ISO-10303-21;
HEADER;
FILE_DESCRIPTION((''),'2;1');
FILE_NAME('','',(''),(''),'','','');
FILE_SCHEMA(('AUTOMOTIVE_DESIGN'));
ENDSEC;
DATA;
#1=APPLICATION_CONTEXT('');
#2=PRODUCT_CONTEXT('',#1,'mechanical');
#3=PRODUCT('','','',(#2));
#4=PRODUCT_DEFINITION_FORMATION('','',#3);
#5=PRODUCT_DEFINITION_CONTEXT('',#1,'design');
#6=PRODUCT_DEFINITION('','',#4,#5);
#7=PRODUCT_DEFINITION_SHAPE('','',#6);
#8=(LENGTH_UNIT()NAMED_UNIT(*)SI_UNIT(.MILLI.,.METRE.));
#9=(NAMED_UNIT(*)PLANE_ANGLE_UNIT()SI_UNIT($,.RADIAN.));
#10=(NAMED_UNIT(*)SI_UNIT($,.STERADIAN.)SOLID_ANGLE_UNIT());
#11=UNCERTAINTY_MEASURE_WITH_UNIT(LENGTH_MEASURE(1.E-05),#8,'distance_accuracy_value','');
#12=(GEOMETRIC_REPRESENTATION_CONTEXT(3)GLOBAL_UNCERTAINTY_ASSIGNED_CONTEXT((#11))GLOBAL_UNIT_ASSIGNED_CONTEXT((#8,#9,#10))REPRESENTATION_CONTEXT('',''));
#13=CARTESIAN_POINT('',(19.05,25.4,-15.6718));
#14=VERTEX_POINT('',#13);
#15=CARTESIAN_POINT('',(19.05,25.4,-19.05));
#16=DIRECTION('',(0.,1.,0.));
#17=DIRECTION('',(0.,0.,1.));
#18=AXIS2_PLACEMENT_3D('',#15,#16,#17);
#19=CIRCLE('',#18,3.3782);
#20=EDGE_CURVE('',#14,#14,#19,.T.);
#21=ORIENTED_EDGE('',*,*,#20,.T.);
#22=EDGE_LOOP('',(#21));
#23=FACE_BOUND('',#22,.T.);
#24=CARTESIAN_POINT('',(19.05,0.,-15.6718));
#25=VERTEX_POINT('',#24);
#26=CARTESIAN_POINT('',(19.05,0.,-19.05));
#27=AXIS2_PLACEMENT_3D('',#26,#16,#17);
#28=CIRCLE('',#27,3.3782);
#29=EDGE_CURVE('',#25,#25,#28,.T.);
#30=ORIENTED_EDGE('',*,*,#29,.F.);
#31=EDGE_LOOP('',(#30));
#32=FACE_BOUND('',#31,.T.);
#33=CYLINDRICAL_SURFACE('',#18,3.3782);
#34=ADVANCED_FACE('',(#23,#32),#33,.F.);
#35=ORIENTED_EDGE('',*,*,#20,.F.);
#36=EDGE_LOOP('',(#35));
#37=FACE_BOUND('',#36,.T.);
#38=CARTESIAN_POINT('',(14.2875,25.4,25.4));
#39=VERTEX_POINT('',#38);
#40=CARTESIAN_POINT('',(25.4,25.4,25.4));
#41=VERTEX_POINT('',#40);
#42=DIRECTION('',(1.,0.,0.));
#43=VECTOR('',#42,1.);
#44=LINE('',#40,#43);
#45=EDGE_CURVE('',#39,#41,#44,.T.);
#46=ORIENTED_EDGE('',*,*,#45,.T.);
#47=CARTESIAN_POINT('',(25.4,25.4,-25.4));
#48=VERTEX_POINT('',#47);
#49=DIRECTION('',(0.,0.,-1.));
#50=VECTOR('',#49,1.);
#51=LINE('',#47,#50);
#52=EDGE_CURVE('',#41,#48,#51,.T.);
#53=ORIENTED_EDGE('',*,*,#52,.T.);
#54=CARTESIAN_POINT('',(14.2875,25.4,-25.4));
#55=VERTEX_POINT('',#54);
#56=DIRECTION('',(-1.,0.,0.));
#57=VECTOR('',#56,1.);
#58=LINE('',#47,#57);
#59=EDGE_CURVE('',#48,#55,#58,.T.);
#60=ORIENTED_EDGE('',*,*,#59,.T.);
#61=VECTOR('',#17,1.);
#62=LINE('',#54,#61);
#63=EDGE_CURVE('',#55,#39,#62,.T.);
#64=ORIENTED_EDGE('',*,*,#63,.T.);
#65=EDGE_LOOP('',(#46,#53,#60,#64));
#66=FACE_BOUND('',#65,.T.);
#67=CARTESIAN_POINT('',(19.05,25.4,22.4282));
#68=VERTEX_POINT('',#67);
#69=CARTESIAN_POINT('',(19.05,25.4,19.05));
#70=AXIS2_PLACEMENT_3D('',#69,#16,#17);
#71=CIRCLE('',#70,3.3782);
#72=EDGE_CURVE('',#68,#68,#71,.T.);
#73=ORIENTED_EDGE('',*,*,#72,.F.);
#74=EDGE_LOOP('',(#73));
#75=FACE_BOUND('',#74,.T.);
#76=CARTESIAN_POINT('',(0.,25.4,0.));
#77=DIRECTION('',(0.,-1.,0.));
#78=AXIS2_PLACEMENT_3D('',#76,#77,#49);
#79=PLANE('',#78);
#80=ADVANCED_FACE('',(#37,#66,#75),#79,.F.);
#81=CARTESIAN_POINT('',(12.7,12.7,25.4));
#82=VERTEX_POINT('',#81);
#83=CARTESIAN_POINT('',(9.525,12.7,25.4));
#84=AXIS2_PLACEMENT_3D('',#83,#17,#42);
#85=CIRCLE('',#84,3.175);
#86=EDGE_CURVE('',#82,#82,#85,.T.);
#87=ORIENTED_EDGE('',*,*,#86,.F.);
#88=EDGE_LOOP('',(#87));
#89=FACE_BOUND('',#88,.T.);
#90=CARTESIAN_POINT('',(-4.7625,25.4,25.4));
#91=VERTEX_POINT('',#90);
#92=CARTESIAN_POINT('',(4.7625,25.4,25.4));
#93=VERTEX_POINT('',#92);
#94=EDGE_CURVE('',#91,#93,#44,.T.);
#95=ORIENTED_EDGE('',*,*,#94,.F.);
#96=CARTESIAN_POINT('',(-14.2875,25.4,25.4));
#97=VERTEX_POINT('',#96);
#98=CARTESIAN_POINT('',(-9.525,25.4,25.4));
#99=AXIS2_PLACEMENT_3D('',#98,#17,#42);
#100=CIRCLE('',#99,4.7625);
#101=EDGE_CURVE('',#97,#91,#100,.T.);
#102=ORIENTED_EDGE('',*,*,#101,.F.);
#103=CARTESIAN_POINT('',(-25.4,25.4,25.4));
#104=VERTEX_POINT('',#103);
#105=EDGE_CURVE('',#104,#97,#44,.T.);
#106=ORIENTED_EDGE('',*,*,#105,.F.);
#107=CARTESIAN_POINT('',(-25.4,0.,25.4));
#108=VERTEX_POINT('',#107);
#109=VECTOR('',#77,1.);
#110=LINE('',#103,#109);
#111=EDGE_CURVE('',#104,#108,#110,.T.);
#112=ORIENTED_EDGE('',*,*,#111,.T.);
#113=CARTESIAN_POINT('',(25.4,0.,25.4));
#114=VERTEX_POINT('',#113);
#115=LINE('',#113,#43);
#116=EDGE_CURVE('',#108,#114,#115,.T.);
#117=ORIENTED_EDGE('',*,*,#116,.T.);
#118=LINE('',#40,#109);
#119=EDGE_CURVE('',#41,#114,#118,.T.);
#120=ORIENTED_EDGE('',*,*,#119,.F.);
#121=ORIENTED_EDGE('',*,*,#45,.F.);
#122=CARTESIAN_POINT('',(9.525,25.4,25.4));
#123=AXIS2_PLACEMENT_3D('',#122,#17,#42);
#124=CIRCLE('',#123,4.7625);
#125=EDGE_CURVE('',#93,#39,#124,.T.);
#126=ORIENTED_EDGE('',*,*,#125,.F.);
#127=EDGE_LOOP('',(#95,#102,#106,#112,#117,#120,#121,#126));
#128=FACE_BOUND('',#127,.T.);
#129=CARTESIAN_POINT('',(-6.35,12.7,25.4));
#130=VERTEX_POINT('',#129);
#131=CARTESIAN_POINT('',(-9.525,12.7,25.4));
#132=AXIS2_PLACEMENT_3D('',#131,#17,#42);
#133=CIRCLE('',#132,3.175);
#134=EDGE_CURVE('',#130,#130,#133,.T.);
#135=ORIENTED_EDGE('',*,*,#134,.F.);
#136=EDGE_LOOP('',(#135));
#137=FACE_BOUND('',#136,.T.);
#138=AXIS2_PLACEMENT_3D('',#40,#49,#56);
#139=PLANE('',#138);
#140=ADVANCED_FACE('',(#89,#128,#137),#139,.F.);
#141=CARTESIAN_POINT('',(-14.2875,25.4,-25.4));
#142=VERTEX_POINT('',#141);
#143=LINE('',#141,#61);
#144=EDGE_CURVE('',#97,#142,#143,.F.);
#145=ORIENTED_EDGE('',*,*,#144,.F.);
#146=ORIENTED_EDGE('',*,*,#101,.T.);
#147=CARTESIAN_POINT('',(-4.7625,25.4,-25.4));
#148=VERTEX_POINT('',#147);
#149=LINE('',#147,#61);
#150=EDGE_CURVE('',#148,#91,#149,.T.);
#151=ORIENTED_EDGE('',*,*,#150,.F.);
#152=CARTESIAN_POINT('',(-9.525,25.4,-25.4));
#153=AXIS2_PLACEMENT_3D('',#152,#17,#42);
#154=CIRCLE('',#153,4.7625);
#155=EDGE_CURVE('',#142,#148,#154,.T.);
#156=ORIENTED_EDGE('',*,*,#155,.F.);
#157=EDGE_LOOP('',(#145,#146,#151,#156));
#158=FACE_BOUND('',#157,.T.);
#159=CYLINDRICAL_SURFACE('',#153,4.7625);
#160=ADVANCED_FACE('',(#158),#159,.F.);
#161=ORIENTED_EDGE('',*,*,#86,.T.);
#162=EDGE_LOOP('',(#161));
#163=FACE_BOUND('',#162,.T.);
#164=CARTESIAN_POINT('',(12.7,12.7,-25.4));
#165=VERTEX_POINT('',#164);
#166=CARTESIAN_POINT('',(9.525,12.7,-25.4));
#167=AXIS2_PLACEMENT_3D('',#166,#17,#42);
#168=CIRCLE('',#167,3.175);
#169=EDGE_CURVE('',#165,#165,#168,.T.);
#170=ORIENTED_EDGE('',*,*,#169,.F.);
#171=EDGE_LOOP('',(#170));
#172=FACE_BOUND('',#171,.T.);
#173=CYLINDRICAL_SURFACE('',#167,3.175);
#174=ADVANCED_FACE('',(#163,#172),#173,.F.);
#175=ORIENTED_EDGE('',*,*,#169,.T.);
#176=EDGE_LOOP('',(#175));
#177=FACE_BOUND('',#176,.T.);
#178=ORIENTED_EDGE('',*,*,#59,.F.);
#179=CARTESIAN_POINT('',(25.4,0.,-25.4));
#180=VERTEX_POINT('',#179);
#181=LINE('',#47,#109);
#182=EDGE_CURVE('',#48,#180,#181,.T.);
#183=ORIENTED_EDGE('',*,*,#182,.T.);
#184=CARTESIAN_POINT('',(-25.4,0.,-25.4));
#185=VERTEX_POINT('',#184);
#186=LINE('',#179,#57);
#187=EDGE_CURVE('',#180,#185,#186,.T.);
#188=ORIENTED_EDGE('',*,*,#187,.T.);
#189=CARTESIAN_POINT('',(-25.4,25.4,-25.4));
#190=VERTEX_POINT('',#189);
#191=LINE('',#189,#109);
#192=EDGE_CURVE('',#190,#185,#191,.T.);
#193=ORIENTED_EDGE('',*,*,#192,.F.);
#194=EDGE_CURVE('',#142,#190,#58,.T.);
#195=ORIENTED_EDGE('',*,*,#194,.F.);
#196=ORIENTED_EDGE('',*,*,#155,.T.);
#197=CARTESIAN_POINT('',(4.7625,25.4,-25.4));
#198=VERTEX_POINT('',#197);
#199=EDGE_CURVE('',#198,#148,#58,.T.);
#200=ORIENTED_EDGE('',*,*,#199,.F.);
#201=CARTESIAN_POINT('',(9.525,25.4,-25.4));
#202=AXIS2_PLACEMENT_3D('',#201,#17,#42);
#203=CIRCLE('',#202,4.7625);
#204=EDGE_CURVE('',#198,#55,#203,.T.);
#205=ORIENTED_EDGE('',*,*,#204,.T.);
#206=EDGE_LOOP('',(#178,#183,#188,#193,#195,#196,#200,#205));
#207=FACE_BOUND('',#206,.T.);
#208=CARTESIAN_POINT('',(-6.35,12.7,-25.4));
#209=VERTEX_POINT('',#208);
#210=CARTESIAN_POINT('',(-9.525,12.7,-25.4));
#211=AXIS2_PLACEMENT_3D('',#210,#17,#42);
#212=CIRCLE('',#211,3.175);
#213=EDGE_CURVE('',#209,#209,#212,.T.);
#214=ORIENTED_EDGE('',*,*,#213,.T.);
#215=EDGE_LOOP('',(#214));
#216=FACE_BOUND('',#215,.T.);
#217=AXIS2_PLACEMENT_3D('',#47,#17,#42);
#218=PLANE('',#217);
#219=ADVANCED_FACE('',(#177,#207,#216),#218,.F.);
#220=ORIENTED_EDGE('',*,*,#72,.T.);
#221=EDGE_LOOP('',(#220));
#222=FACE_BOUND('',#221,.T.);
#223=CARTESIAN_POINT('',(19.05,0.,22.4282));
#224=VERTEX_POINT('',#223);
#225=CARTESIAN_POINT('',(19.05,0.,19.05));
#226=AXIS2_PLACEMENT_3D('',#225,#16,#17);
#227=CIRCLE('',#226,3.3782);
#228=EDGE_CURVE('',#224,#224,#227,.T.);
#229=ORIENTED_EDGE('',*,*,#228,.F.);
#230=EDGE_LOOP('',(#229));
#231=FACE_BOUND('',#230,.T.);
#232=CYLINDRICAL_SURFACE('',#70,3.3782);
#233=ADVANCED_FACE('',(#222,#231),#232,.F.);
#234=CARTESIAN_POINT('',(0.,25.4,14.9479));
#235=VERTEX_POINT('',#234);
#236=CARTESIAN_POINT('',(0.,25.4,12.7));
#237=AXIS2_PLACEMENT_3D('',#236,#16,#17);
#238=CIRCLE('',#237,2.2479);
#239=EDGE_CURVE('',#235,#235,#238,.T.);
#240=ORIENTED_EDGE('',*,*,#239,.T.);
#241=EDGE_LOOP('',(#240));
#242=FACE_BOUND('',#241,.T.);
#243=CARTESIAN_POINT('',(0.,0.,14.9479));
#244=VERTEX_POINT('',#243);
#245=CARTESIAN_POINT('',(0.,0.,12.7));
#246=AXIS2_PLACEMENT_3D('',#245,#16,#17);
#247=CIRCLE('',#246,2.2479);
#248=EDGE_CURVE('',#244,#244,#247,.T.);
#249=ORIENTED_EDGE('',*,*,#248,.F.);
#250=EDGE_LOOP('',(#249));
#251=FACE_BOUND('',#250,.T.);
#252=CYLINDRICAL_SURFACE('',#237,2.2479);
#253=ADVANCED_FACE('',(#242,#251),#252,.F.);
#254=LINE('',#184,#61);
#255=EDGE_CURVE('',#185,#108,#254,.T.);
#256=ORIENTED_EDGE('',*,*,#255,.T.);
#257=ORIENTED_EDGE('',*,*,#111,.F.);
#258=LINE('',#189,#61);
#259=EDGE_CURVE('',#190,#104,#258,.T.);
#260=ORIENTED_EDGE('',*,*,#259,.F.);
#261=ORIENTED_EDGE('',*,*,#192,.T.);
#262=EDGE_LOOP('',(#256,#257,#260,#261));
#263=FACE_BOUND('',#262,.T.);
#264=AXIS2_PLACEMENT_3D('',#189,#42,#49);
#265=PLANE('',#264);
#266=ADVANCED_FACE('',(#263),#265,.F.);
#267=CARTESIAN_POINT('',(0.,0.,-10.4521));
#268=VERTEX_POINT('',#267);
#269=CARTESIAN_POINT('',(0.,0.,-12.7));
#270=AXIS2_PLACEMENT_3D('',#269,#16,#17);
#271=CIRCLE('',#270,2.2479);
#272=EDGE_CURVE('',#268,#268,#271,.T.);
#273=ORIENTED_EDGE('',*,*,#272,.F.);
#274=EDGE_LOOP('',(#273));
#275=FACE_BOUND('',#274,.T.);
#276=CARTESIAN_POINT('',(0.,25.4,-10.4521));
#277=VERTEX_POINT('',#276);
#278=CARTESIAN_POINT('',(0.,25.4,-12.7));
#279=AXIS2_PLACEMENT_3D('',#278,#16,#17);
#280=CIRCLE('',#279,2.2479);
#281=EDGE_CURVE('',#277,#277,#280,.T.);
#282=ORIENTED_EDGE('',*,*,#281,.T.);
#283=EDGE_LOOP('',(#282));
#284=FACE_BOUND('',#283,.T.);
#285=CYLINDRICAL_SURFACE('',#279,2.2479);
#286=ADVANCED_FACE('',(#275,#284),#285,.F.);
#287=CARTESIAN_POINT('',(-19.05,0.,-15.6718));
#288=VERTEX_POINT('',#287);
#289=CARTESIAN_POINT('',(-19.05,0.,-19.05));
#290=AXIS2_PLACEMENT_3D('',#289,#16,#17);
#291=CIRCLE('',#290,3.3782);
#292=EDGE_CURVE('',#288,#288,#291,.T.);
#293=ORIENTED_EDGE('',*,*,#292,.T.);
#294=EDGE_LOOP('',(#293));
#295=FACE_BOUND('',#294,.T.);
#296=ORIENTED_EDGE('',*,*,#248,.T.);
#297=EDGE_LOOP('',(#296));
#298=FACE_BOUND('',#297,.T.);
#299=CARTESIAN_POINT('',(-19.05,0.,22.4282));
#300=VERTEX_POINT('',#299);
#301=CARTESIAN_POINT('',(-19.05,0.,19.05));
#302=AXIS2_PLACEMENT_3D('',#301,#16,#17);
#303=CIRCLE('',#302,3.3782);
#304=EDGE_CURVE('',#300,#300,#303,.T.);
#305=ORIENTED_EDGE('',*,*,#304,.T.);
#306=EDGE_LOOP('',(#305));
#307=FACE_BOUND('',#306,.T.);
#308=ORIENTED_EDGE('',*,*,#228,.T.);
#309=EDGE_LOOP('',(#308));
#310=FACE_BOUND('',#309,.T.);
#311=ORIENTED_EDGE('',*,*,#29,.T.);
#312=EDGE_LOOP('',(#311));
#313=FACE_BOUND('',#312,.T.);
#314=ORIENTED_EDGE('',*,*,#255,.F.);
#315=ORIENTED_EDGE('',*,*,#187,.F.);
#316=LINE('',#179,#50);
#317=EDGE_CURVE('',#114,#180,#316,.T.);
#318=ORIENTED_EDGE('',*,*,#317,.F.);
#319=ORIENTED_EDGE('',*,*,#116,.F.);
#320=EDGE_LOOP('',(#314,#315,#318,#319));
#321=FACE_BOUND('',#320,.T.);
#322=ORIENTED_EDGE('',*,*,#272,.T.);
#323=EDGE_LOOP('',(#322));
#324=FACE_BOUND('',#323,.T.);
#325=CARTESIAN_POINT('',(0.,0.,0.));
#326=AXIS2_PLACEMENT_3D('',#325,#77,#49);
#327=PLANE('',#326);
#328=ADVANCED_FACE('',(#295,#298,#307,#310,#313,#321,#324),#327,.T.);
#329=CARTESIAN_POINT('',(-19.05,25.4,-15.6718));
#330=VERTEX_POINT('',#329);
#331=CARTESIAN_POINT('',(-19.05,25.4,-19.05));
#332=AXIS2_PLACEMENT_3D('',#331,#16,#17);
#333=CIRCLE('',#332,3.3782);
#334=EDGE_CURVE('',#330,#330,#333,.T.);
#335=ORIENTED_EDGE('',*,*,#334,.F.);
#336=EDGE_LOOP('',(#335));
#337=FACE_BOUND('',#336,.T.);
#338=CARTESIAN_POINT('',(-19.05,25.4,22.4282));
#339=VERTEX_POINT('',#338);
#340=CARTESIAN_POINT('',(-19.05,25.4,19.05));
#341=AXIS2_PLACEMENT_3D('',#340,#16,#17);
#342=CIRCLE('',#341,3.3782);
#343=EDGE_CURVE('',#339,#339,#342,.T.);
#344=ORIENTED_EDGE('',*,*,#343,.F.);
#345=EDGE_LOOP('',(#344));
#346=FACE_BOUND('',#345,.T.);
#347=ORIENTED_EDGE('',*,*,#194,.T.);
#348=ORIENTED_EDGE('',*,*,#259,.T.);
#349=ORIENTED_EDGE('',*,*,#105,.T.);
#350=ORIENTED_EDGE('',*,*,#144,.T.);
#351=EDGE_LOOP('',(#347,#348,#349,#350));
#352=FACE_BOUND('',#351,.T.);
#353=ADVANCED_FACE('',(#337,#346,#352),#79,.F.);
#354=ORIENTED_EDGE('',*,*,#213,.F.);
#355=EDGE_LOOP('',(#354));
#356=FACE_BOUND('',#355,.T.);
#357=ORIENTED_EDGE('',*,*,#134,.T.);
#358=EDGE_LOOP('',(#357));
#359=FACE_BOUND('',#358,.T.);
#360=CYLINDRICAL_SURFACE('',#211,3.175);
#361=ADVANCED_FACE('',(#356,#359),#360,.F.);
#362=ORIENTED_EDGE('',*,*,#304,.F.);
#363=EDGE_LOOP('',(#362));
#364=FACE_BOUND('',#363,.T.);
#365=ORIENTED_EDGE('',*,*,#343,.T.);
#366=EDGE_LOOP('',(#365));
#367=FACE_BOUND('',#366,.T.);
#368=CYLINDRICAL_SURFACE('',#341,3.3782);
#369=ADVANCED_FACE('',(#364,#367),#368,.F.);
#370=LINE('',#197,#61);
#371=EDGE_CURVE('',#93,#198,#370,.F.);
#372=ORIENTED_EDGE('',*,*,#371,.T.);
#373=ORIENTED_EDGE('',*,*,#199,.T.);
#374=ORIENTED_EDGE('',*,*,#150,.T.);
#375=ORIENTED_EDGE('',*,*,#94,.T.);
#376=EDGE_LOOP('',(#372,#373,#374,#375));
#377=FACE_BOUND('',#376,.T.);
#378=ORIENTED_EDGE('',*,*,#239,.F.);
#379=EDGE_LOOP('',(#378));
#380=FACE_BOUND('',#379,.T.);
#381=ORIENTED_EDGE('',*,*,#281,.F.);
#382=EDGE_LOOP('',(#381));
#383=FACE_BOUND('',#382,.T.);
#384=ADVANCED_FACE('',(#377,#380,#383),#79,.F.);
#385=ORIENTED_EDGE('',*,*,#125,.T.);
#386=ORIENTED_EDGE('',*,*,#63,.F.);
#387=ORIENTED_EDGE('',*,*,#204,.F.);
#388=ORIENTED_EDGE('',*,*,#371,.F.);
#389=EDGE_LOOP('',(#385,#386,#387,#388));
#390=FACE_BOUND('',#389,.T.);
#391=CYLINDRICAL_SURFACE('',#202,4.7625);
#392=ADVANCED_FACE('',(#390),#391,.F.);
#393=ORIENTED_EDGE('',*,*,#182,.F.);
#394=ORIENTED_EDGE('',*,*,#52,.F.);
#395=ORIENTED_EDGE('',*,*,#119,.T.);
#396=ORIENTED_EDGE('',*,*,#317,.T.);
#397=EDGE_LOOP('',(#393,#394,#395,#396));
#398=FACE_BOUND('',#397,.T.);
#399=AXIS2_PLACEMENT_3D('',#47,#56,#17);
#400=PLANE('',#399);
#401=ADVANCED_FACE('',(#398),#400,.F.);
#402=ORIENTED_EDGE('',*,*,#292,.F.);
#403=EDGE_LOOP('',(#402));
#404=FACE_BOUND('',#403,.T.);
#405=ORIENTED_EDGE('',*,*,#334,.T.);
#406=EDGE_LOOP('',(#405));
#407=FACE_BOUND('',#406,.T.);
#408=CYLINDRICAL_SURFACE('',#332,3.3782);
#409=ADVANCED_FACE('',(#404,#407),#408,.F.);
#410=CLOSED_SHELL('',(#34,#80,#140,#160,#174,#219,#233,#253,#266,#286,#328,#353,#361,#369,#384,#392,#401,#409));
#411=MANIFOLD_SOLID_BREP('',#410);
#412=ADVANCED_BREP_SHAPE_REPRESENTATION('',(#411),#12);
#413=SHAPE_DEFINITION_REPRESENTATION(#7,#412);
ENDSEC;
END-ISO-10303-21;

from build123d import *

# Parameters (mm, degrees)
SKETCH1_W               = 50.8
SKETCH1_H               = 50.8
BOSS_EXTRUDE1_DEPTH     = 25.4
SKETCH2_R               = 4.7625
CUT_EXTRUDE1_DEPTH      = 63.217039467
F_1_4_CLEARANCE_HOLE1_D = 6.7564
SKETCH6_R               = 3.175
CUT_EXTRUDE2_DEPTH      = 63.217039467
F_8_CLEARANCE_HOLE1_D   = 4.4958


with BuildPart() as part:
    # Sketch1 → Boss-Extrude1 (new body)
    with BuildSketch(Plane(origin=(0, 0, 0), x_dir=(1, 0, 0), z_dir=(0, 1, 0))):
        Rectangle(SKETCH1_W, SKETCH1_H)
    extrude(amount=BOSS_EXTRUDE1_DEPTH)

    # Sketch2 → Cut-Extrude1 (cut, through all)
    with BuildSketch(Plane.XY.offset(25.4)):
        with Locations((-9.525, 25.4)):
            Circle(SKETCH2_R)
        with Locations((9.525, 25.4)):
            Circle(SKETCH2_R)
    extrude(amount=-CUT_EXTRUDE1_DEPTH, mode=Mode.SUBTRACT)

    # 1/4 Clearance Hole1 (through all)
    with Locations(Plane(origin=(0, 25.4, 0), x_dir=(1, 0, 0), z_dir=(0, 1, 0))):
        with Locations((-19.05, 19.05), (-19.05, -19.05), (19.05, -19.05), (19.05, 19.05)):
            Hole(F_1_4_CLEARANCE_HOLE1_D / 2)

    # Sketch6 → Cut-Extrude2 (cut, through all)
    with BuildSketch(Plane.XY.offset(25.4)):
        with Locations((-9.525, 12.7)):
            Circle(SKETCH6_R)
        with Locations((9.525, 12.7)):
            Circle(SKETCH6_R)
    extrude(amount=-CUT_EXTRUDE2_DEPTH, mode=Mode.SUBTRACT)

    # #8 Clearance Hole1 (through all)
    with Locations(Plane(origin=(0, 25.4, 0), x_dir=(1, 0, 0), z_dir=(0, 1, 0))):
        with Locations((0, 12.7), (0, -12.7)):
            Hole(F_8_CLEARANCE_HOLE1_D / 2)


solid = part.part
